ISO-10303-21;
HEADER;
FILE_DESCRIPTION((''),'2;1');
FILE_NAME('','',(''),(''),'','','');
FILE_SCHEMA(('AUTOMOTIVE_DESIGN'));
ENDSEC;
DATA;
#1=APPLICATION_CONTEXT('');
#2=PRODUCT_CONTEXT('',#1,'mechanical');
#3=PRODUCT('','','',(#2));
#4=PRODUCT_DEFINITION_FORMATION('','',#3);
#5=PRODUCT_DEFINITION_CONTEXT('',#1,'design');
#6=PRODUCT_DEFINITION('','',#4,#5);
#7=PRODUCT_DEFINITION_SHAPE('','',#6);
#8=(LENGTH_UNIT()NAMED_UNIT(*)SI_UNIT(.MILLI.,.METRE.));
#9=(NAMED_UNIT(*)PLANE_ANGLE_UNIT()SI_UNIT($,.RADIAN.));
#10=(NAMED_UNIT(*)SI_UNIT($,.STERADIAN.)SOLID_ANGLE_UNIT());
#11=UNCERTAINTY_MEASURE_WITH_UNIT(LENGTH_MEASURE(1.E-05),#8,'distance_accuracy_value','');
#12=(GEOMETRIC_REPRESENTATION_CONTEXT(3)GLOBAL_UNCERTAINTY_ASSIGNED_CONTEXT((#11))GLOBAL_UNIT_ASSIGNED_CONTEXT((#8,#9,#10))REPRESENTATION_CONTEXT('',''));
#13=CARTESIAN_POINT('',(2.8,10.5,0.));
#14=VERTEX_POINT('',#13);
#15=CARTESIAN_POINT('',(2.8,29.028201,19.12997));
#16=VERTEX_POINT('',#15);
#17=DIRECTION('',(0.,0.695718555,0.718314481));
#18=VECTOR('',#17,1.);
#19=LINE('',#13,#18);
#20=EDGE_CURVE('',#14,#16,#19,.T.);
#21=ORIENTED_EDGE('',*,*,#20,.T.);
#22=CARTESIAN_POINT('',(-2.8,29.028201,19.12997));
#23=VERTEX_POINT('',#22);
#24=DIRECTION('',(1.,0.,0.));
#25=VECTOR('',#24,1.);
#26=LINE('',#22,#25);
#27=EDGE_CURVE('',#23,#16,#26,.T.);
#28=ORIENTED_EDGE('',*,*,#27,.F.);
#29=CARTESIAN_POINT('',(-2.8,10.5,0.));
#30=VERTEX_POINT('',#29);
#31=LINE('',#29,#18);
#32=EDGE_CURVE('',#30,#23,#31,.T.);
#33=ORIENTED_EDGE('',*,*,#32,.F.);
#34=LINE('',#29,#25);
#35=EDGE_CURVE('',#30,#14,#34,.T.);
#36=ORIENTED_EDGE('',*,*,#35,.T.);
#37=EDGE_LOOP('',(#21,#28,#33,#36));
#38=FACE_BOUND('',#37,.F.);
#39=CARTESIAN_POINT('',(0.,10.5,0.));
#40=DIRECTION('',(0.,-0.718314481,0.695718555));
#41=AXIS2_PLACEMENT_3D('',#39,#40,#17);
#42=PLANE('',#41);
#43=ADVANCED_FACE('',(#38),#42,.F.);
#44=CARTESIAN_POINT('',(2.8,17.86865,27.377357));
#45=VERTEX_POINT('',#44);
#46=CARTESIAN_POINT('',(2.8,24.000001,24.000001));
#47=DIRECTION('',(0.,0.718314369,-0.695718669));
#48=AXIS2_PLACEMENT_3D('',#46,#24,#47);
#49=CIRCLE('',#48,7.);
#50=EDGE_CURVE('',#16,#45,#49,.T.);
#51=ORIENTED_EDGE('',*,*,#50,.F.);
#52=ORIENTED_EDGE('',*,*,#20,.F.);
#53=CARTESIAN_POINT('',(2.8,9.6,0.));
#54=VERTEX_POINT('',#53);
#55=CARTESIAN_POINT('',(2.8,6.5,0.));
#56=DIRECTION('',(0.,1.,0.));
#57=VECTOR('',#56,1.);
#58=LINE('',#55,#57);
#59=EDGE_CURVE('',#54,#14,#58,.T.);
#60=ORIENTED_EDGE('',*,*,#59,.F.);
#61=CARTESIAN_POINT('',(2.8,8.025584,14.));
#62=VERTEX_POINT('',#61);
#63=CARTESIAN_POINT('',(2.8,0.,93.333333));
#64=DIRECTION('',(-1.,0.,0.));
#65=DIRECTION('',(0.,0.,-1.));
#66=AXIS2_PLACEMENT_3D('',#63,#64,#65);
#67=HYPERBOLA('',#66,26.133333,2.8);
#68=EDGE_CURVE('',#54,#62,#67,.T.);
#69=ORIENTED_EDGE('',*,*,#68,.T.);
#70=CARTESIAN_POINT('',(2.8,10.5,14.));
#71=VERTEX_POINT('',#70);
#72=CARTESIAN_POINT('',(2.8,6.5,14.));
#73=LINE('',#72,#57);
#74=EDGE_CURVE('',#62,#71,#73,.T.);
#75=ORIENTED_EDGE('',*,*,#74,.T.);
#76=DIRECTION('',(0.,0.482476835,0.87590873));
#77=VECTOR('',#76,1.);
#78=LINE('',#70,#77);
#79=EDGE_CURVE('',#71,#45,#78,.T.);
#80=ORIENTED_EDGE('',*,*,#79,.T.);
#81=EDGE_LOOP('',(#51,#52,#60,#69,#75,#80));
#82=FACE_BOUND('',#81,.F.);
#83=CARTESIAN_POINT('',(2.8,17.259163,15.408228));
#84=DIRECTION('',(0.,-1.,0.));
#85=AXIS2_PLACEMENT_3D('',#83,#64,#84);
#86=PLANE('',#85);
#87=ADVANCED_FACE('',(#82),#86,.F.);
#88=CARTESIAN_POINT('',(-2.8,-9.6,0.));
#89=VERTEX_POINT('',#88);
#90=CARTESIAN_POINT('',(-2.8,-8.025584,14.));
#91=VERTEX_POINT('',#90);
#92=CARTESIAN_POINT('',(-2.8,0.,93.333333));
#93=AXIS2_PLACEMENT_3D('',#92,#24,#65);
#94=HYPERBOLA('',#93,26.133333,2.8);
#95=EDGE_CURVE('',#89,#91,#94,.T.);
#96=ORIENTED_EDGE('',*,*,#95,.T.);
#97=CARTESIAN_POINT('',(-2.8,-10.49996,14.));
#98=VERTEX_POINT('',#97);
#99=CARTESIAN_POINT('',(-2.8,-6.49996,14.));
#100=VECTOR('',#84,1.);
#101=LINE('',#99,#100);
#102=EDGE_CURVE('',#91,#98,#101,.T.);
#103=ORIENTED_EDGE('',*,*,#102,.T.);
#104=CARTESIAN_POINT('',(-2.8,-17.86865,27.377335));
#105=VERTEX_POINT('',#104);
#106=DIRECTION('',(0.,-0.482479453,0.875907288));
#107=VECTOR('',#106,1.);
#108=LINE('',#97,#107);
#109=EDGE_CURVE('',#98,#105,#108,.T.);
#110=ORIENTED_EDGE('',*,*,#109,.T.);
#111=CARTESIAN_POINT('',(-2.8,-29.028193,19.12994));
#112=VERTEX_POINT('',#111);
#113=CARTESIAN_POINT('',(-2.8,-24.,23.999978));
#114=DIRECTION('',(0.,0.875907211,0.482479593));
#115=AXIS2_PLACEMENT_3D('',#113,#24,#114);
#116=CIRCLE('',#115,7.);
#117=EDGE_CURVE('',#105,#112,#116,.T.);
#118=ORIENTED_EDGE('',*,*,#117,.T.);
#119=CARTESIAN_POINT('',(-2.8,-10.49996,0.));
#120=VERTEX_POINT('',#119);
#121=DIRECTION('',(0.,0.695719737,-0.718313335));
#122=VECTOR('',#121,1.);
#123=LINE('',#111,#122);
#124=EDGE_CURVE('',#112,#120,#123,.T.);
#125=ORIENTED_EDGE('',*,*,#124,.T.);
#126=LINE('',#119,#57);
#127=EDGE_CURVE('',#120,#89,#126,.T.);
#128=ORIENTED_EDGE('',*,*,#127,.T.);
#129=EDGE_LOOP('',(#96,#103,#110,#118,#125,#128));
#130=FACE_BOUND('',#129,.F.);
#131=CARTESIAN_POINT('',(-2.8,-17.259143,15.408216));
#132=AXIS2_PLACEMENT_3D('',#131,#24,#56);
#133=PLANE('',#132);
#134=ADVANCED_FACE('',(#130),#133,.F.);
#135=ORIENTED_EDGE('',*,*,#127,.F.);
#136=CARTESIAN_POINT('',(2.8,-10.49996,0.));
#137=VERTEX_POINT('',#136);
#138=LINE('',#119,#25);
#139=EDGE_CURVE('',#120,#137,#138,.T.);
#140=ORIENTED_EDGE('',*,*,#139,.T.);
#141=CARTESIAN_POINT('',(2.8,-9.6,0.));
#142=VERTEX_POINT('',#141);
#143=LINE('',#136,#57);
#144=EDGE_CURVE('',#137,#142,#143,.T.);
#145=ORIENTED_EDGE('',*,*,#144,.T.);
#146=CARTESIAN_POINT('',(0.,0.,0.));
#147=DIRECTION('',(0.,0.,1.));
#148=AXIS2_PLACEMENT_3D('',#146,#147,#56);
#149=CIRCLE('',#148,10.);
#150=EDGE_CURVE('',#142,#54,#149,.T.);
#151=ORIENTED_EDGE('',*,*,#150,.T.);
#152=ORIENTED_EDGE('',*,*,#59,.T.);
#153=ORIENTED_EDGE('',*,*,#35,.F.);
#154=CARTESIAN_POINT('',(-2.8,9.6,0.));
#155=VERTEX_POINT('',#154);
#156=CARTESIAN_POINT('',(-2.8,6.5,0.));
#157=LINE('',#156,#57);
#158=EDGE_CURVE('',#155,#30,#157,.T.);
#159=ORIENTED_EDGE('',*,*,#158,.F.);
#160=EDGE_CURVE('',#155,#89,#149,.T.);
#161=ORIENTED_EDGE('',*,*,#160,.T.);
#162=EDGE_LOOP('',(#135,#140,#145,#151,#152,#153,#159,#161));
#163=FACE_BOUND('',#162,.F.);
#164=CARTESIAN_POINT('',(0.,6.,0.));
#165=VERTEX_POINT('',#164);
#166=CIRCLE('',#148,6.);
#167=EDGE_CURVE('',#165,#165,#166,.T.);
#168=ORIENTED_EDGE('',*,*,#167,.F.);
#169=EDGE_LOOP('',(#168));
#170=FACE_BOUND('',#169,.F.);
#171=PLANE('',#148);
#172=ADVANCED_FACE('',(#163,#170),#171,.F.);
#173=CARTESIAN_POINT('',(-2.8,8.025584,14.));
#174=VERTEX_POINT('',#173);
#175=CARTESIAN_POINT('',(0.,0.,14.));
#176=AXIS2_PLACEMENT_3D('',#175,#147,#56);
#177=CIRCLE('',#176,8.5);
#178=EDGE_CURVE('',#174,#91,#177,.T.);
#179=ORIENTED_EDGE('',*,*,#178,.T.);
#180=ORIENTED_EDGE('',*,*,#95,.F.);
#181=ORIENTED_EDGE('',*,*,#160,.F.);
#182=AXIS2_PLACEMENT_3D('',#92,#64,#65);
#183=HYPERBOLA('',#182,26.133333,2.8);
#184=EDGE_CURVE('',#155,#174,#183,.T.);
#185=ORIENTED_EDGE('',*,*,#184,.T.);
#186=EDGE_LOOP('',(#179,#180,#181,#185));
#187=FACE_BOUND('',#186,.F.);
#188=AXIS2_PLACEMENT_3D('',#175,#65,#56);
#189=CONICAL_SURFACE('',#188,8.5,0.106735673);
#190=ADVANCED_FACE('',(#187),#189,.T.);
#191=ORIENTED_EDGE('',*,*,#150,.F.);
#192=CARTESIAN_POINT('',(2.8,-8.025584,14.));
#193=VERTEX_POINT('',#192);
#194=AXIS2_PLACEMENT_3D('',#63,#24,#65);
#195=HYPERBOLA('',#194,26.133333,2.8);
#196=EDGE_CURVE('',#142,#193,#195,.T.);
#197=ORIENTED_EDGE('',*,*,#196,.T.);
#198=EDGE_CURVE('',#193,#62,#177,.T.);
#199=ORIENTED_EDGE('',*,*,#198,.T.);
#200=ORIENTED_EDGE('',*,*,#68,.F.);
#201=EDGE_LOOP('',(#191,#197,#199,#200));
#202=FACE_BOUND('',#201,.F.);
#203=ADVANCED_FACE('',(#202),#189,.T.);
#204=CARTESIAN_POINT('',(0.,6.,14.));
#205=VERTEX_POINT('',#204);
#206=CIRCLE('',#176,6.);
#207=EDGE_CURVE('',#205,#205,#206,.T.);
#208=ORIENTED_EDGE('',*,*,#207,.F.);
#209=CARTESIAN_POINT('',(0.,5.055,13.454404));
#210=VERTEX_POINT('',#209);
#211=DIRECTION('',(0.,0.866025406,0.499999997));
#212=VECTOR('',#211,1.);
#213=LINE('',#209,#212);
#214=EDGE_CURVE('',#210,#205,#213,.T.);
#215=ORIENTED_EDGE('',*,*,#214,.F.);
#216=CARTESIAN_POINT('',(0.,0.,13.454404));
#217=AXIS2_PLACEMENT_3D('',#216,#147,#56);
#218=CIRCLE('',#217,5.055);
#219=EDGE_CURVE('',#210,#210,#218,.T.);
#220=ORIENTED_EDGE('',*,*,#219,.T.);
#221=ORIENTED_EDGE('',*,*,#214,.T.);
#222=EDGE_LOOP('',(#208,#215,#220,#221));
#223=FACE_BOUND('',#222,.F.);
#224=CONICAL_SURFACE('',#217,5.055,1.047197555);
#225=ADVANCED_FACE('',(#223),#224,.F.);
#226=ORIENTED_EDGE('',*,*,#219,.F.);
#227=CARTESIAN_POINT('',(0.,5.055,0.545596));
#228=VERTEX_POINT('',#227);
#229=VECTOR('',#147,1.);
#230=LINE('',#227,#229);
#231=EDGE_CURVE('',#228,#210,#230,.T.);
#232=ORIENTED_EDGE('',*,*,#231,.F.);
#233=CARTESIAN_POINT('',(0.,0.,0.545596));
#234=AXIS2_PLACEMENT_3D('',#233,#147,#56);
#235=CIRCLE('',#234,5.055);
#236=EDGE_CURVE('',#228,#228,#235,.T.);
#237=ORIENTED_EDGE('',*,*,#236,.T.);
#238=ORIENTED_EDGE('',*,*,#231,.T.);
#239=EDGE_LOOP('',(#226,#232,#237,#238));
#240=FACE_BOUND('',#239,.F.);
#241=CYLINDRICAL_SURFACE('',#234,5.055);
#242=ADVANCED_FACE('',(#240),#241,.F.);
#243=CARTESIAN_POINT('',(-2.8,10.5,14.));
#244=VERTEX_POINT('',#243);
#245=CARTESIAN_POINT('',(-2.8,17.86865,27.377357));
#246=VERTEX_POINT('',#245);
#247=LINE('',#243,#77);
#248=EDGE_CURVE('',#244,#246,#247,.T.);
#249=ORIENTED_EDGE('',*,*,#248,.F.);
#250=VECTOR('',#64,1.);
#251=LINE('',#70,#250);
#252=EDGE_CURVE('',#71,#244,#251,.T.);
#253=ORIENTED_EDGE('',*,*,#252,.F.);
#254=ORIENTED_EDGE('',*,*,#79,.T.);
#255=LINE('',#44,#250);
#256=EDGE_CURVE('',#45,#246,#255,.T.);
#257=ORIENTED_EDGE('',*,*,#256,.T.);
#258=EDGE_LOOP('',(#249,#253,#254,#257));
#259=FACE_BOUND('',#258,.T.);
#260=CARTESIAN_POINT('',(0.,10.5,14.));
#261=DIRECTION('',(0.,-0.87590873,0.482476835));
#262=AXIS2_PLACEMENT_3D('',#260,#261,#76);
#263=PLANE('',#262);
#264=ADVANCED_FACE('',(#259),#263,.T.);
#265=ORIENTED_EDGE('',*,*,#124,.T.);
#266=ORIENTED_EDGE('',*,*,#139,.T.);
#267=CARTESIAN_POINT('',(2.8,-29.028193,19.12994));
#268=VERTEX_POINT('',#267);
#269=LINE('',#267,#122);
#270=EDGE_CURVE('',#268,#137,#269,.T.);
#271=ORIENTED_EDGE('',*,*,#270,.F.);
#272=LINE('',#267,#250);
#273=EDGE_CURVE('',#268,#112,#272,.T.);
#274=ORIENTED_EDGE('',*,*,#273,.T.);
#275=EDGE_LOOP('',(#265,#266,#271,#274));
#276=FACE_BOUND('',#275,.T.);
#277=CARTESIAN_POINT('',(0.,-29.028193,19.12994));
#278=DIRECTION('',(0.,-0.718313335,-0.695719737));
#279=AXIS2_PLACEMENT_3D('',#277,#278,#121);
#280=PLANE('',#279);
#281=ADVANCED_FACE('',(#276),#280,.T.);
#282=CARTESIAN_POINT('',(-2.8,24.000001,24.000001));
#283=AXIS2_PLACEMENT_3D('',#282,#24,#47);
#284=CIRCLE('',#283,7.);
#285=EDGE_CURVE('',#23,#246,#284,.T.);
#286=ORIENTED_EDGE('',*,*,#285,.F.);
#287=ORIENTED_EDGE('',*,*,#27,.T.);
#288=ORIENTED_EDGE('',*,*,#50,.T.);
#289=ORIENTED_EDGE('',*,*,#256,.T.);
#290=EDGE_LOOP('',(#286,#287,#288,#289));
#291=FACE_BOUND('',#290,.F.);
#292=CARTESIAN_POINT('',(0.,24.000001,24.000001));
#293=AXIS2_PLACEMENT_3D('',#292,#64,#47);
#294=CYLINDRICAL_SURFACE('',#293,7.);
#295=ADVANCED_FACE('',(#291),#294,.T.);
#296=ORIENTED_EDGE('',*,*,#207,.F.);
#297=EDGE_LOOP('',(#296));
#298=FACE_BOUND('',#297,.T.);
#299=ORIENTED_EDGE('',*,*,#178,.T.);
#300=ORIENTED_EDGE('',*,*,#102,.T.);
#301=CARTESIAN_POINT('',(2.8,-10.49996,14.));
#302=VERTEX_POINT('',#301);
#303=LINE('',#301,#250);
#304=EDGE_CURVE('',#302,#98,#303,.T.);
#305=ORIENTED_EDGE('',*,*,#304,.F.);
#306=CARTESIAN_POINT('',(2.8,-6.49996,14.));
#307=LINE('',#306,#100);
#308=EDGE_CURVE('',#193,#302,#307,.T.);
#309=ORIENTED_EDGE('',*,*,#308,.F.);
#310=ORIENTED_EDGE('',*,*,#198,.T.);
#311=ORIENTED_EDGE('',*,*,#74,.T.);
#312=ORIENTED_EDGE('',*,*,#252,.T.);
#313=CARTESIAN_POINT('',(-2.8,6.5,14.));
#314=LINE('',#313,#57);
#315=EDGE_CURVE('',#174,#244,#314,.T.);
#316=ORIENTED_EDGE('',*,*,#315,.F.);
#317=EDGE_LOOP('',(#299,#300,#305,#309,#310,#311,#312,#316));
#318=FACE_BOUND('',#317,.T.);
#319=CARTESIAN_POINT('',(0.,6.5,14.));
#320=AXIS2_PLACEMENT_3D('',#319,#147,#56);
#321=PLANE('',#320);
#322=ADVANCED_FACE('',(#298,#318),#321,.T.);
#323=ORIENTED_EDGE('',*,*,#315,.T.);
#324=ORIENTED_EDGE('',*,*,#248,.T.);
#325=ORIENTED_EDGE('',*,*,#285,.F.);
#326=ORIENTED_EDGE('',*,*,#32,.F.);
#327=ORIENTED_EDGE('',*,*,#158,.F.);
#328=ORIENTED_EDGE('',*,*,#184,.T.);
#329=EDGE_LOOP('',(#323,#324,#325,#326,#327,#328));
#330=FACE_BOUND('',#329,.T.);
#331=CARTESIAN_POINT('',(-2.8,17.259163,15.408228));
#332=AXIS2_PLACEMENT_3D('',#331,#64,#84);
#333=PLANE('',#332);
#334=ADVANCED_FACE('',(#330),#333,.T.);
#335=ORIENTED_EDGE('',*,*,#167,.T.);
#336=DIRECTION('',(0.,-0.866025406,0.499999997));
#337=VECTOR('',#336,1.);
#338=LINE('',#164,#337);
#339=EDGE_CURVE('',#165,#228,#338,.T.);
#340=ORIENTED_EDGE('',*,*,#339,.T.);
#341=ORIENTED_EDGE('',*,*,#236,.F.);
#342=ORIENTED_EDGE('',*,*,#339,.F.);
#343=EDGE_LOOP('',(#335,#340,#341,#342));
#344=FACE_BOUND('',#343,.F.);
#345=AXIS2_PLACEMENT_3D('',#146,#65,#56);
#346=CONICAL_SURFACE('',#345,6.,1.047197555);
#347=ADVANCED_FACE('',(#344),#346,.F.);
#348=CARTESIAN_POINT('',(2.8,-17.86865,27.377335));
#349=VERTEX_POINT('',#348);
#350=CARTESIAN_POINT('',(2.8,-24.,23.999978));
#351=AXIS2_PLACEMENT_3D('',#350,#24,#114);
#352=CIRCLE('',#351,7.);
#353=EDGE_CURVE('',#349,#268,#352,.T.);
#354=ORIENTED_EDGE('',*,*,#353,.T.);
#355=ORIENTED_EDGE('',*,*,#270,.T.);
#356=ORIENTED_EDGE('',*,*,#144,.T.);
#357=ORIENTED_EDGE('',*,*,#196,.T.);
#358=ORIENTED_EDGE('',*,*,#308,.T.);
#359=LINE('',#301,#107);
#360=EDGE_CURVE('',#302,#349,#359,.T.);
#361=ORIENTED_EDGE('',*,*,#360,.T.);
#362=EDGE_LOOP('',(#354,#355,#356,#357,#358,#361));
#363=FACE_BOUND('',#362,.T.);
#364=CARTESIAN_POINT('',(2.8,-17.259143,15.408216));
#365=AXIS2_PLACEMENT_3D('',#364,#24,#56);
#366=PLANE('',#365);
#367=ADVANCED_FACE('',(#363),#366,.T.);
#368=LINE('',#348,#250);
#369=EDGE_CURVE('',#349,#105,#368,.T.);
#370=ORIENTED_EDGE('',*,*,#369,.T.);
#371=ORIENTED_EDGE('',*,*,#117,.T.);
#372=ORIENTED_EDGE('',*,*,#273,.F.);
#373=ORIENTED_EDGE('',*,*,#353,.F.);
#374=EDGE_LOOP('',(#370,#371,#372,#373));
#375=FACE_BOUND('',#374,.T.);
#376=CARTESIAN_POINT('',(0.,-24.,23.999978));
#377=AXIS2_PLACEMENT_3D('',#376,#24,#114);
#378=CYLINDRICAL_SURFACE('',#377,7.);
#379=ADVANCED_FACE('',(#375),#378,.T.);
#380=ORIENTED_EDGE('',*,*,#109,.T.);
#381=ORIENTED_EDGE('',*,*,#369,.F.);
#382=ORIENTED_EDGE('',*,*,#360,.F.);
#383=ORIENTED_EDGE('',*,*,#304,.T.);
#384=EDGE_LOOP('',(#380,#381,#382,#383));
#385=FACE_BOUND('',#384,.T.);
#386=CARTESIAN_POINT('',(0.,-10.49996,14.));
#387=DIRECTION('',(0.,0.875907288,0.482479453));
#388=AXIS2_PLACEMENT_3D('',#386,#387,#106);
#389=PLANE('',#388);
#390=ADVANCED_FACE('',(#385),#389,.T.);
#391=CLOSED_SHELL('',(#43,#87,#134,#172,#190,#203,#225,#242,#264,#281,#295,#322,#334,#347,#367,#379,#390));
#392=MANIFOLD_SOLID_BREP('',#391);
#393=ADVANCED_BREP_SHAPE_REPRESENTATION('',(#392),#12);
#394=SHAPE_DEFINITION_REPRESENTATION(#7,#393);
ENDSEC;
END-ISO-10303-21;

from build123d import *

# Parameters (mm, degrees)
PAD_DEPTH = 2.8


with BuildPart() as pad:
    # Sketch001 → Pad (new body, symmetric)
    with BuildSketch(Plane.YZ):
        with BuildLine():
            Line((6.5, 0), (6.5, 14))
            Line((6.5, 14), (10.5, 14))
            Line((10.5, 14), (17.86865, 27.377357))
            ThreePointArc((29.028201, 19.12997), (28.160419, 29.629469), (17.86865, 27.377357))
            Line((10.5, 0), (29.028201, 19.12997))
            Line((6.5, 0), (10.5, 0))
        make_face()
        with BuildLine():
            Line((-29.028193, 19.12994), (-10.49996, 0))
            Line((-10.49996, 0), (-6.49996, 0))
            Line((-6.49996, 0), (-6.49996, 14))
            Line((-6.49996, 14), (-10.49996, 14))
            Line((-10.49996, 14), (-17.86865, 27.377335))
            ThreePointArc((-17.86865, 27.377335), (-28.160423, 29.629443), (-29.028193, 19.12994))
        make_face()
    extrude(amount=PAD_DEPTH, both=True)


with BuildPart() as fl_gelmutter_din_315_m12:
    # Sketch → Revolution (revolve)
    with BuildSketch(Plane.YZ):
        Polygon((6, 0), (5.055, 0.545596), (5.055, 13.454404), (6, 14), (8.5, 14), (10, 0), align=None)
    revolve(axis=Axis((0, 0, 0), (0, 0, 1)))

    # Fusion: union Pad
    add(pad.part)


solid = fl_gelmutter_din_315_m12.part
